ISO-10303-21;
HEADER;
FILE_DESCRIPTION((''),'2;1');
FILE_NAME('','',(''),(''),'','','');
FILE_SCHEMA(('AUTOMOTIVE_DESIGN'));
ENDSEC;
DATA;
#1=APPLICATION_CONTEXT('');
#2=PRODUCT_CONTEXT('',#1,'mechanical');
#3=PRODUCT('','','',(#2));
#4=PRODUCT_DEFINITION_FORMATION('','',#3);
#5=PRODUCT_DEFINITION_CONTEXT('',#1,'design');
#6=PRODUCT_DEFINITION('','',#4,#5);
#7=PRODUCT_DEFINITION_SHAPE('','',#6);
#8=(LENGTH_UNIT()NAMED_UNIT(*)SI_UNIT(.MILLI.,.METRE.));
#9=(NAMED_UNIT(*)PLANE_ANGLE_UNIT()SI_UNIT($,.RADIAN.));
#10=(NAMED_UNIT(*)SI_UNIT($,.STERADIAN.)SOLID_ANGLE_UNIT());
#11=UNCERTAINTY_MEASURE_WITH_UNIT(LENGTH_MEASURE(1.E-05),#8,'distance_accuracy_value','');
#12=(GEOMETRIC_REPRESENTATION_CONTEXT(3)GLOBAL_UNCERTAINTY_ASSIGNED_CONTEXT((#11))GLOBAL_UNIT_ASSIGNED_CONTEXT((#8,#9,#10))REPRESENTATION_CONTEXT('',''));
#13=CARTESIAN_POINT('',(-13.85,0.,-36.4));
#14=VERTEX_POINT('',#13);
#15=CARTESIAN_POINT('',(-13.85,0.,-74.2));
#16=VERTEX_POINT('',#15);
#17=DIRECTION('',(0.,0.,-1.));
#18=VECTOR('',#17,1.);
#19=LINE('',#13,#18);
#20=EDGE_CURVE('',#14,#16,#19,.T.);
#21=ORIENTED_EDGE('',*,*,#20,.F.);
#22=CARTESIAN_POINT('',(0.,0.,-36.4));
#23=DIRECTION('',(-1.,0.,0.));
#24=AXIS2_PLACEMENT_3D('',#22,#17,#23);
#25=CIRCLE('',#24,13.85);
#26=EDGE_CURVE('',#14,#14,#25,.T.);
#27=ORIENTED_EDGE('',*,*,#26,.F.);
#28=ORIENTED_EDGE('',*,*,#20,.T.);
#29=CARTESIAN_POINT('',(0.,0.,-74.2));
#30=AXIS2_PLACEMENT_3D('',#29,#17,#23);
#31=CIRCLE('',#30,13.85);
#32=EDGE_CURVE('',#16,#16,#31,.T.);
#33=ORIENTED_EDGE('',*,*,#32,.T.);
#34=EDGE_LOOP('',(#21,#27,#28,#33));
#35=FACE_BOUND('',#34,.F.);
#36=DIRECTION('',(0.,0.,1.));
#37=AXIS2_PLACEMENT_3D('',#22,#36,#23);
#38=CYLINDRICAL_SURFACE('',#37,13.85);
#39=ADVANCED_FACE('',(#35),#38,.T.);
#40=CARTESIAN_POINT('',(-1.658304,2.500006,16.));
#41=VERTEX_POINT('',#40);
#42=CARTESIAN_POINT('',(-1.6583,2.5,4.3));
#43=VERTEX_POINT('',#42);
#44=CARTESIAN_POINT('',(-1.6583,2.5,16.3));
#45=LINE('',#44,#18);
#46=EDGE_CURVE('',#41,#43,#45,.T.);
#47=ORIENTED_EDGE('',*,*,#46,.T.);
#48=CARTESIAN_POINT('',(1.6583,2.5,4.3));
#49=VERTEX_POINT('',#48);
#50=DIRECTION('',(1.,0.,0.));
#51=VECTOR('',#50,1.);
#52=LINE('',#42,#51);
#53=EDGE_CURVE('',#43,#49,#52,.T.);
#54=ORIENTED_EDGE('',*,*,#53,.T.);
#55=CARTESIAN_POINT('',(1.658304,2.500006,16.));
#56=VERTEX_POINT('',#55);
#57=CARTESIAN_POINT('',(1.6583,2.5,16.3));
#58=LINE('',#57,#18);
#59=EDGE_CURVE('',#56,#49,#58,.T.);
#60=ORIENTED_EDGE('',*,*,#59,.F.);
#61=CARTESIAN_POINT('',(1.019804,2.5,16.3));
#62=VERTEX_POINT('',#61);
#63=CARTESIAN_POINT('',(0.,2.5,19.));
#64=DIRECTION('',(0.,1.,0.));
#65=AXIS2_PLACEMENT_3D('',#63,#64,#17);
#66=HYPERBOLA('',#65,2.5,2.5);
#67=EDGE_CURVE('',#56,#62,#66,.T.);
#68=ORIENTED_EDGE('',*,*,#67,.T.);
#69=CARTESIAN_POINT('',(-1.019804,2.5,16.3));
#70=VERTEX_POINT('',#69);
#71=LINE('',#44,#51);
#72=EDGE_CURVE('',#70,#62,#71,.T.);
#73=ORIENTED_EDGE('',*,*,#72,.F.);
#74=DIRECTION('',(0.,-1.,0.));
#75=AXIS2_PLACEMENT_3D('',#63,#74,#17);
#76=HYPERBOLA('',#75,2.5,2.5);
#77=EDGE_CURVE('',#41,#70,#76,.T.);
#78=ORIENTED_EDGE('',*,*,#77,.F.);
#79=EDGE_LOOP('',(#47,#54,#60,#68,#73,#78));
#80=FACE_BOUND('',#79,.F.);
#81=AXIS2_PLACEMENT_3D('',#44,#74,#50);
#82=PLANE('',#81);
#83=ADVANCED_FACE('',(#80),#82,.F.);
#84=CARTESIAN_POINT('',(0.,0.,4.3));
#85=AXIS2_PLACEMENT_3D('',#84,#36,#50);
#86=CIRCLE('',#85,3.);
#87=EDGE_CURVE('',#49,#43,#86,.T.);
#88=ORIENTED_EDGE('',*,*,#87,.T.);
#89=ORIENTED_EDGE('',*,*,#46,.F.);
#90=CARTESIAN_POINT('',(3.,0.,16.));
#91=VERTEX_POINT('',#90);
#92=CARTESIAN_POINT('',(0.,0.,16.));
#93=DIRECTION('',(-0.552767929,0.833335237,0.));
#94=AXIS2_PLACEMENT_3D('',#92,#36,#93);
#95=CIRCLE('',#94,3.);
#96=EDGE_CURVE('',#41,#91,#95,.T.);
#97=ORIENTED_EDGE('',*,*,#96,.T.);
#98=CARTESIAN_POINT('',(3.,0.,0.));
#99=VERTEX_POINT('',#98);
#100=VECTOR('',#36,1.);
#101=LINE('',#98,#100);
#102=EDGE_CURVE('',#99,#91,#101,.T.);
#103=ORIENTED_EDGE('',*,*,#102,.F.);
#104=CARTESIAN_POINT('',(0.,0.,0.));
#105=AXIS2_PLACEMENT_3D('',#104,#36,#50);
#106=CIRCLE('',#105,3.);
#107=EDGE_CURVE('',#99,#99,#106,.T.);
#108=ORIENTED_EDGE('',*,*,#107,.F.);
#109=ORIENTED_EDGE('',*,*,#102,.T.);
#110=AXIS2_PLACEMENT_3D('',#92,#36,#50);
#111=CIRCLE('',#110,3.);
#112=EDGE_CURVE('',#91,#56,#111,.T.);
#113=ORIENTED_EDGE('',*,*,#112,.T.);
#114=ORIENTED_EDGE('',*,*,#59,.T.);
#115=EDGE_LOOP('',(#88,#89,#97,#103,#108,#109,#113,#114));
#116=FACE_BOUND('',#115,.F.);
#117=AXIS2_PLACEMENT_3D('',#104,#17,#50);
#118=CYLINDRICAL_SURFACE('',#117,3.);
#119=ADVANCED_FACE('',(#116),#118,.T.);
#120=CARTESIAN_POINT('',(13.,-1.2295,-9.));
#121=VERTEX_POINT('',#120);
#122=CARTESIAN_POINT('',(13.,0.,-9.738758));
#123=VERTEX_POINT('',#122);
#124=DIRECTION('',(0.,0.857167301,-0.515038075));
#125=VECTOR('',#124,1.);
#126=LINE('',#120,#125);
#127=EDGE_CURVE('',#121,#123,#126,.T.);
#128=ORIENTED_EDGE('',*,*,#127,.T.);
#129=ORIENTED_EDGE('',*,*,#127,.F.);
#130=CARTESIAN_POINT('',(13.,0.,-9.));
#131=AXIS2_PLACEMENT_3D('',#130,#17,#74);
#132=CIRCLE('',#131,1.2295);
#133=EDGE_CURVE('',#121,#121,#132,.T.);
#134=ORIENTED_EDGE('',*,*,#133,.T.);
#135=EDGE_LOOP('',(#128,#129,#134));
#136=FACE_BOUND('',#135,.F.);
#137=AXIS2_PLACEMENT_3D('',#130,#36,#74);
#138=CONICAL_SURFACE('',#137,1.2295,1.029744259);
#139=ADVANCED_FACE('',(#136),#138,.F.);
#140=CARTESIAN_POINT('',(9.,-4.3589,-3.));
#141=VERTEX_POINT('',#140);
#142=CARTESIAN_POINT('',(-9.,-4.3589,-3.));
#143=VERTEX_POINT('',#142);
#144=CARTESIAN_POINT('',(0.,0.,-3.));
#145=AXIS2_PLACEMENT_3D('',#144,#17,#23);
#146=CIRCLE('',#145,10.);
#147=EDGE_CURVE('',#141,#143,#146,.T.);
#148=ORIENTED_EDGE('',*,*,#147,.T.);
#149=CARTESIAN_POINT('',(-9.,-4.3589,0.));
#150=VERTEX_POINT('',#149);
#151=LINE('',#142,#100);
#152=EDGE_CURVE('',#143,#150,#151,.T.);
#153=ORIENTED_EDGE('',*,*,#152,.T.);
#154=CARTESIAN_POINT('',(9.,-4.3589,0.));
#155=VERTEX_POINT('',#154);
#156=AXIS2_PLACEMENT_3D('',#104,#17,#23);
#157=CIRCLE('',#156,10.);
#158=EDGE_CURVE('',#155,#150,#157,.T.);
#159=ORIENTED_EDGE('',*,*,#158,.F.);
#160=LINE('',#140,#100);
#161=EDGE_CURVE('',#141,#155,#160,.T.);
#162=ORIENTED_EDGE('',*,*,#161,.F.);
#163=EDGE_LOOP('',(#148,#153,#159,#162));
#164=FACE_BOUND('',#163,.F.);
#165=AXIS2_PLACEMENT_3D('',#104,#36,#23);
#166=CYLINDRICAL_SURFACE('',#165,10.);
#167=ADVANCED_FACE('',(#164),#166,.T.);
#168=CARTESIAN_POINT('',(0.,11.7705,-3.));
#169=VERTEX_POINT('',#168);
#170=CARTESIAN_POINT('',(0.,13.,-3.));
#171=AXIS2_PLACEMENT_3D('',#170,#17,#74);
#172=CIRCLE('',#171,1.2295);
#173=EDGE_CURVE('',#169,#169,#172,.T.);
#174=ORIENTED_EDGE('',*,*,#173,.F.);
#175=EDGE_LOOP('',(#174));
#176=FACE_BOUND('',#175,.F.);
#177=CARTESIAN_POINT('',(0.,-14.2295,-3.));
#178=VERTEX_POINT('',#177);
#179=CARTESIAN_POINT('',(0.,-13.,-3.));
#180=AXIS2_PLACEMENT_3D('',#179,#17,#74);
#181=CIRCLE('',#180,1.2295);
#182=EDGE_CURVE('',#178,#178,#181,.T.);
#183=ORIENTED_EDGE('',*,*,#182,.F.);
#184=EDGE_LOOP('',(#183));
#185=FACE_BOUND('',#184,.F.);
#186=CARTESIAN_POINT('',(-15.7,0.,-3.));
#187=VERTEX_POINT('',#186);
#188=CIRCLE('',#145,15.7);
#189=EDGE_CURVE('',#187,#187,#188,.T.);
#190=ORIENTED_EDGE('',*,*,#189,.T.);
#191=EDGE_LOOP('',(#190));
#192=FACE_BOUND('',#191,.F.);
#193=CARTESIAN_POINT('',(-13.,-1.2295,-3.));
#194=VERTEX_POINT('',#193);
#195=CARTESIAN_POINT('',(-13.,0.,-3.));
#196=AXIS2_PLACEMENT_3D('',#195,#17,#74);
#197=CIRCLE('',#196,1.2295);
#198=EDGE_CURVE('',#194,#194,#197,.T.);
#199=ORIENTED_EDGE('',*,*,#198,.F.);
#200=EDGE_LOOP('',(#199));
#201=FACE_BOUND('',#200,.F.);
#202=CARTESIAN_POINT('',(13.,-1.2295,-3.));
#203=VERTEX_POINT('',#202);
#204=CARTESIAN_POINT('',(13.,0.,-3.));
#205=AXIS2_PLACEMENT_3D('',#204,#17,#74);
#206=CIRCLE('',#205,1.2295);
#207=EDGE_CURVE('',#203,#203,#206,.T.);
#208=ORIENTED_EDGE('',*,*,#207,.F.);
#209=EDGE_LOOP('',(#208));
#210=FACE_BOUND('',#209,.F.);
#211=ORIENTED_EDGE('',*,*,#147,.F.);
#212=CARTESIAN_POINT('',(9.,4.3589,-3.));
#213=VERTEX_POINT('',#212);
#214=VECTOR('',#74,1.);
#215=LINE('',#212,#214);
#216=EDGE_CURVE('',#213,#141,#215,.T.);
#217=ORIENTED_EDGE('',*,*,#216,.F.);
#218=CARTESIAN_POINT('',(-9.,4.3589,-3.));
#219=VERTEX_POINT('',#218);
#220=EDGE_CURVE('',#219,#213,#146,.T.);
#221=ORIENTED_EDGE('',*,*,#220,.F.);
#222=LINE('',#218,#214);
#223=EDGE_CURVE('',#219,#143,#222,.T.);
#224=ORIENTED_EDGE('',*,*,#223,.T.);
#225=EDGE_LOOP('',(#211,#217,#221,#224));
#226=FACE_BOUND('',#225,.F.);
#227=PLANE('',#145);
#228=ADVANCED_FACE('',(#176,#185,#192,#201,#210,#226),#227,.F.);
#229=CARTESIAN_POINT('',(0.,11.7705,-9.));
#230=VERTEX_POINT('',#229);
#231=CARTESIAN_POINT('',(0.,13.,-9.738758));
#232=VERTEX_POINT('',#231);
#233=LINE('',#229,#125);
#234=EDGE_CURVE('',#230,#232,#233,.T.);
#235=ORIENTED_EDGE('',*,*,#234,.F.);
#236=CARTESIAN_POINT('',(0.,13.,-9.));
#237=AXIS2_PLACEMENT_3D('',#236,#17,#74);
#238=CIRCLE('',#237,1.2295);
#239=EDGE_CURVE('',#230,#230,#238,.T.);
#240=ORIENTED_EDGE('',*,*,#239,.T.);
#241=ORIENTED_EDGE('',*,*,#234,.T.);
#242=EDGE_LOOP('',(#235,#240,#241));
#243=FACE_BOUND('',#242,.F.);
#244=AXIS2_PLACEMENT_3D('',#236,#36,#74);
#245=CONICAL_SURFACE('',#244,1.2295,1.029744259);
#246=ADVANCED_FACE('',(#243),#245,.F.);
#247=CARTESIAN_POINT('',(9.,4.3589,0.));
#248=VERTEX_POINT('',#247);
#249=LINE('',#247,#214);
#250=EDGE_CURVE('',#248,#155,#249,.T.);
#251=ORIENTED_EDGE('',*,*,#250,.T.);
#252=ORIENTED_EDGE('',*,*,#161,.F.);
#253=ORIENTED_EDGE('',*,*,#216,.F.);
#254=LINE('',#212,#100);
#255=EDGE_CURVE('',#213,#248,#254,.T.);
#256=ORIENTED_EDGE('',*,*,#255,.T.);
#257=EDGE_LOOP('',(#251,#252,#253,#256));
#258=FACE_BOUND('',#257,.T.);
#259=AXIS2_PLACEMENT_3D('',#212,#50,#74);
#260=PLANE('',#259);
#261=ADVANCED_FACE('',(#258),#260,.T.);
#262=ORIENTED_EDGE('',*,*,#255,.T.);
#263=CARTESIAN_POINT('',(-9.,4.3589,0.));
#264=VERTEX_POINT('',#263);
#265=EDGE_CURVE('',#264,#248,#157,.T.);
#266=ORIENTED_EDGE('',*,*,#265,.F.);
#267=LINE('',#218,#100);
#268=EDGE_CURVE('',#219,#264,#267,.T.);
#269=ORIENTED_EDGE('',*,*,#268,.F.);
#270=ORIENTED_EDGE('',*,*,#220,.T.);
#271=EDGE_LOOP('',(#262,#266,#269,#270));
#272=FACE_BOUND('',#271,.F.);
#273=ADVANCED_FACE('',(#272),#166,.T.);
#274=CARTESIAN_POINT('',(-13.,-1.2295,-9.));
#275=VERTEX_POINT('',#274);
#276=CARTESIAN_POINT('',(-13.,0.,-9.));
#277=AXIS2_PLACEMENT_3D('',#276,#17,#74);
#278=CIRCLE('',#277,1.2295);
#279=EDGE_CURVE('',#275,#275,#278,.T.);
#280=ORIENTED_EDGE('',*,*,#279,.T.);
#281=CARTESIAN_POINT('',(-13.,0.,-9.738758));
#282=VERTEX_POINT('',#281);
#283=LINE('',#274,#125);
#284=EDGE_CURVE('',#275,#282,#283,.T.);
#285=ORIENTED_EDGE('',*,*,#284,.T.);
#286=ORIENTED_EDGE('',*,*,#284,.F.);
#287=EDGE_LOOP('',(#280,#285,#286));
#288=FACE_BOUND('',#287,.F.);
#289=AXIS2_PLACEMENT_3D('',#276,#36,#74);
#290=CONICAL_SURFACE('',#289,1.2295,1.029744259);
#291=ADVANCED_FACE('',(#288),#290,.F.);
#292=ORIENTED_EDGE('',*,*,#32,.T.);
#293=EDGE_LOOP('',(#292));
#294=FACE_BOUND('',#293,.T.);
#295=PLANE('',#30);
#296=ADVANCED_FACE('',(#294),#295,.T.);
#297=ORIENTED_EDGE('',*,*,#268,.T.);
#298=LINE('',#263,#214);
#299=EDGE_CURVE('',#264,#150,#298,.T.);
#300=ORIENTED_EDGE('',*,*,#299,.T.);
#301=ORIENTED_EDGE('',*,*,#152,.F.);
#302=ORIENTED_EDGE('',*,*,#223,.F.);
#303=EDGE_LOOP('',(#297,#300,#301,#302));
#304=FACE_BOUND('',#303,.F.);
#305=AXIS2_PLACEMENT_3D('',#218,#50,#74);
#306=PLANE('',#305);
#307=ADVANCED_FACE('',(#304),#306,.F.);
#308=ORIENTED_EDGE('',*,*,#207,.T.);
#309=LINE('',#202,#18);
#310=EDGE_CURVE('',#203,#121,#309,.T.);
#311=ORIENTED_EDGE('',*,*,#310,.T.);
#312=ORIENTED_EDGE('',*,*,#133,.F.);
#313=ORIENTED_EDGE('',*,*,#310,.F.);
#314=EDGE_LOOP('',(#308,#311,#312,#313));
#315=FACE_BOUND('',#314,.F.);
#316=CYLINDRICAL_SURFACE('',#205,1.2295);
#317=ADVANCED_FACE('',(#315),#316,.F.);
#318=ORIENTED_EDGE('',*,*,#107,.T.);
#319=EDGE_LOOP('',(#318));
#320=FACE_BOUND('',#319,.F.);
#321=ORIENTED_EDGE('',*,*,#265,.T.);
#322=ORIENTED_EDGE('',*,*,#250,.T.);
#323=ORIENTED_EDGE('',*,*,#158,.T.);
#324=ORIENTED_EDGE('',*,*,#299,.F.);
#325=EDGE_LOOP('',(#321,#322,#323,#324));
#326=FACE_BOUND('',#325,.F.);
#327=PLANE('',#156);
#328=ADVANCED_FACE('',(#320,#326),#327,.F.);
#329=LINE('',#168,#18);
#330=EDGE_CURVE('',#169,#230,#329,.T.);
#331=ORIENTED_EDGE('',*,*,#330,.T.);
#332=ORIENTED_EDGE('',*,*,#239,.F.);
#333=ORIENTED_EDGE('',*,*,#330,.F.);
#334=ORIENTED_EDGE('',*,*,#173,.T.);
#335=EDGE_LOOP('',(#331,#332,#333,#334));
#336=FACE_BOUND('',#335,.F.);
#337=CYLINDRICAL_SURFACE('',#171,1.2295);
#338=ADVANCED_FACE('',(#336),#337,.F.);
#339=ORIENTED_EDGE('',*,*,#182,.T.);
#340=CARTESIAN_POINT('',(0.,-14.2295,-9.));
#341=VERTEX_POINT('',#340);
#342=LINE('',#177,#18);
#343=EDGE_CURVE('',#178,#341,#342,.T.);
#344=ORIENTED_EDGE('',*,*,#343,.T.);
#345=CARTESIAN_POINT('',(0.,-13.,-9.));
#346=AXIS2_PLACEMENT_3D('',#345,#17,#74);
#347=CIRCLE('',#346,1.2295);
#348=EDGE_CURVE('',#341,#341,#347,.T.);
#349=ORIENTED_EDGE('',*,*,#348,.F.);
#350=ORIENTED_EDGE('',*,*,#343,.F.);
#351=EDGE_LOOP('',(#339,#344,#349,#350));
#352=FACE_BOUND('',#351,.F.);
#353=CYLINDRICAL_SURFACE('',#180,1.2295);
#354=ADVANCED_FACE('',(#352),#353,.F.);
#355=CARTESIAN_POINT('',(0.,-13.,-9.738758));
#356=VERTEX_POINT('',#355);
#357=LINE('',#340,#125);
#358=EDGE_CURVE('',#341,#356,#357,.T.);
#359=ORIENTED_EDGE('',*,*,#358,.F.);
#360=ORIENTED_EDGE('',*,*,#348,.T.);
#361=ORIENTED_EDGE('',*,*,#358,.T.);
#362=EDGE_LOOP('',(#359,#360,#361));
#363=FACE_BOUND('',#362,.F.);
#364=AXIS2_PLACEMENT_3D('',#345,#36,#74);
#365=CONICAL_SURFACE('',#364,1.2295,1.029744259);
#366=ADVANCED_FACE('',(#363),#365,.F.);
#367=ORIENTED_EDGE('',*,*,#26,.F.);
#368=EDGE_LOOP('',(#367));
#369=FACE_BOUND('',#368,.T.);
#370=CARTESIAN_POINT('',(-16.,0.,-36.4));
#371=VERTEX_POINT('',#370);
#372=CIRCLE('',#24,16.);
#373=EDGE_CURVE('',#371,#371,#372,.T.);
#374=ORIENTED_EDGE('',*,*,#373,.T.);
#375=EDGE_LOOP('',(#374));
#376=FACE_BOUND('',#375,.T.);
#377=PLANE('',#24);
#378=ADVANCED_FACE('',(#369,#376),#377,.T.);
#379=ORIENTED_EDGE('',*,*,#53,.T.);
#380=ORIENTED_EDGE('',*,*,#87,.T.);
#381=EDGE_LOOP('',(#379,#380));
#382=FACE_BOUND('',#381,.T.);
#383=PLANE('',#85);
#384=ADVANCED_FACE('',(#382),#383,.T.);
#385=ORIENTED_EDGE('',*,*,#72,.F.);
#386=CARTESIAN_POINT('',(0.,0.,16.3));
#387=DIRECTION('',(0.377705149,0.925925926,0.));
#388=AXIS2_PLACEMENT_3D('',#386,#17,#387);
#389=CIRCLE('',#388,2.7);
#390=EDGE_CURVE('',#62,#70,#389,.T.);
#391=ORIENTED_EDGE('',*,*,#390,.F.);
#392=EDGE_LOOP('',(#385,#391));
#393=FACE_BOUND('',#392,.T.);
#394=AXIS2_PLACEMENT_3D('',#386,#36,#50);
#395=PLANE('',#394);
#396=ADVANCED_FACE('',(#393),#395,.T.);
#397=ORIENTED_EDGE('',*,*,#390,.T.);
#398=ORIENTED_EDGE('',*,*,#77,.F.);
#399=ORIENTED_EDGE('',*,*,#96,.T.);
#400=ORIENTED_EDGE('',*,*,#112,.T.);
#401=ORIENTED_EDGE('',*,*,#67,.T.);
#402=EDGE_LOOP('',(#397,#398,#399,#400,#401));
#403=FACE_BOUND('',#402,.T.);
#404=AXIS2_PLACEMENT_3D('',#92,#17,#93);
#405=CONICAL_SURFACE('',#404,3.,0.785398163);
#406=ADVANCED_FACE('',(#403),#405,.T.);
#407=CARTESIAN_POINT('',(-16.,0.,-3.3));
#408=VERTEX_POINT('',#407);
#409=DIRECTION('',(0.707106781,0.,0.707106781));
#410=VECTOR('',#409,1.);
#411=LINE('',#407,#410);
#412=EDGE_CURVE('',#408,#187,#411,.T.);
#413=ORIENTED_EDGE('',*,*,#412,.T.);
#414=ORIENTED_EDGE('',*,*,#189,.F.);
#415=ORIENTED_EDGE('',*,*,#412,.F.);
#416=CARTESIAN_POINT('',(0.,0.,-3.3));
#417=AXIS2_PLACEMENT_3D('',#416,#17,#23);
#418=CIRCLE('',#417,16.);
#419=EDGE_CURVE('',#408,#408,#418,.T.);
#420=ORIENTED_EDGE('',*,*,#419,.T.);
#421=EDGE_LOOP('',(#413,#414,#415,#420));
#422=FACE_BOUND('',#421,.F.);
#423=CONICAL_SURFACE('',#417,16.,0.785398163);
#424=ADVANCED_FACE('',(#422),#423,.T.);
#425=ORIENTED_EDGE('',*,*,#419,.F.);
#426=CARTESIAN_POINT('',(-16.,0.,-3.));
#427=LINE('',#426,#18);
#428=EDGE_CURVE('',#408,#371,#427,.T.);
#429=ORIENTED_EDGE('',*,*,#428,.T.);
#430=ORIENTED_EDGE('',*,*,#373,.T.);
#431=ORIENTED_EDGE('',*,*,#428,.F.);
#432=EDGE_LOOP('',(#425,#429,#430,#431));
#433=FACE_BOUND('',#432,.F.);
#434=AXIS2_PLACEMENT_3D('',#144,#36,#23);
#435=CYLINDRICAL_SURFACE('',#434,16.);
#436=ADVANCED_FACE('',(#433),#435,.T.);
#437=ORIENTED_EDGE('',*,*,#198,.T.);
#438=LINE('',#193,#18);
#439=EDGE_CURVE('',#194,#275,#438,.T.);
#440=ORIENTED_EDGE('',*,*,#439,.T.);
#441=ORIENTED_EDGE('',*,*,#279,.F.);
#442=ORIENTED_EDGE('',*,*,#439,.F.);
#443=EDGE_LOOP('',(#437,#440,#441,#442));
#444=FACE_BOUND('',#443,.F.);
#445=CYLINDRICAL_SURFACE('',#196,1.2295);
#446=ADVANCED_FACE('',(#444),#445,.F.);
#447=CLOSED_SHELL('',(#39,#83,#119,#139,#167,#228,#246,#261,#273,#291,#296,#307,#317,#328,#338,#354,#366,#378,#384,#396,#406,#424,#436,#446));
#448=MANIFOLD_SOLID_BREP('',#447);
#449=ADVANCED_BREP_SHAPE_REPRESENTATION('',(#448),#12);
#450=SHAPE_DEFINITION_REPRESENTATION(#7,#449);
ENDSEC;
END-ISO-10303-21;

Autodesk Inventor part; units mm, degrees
ref_plane "YZ Plane" through (0, 0, 0) normal (1, 0, 0) x (0, 1, 0)
ref_plane "XZ Plane" through (0, 0, 0) normal (0, 1, 0) x (-1, 0, 0)
ref_plane "XY Plane" through (0, 0, 0) normal (0, 0, 1) x (1, 0, 0)
sketch "スケッチ1" plane through (0, 0, 0) normal (0, 0, 1) x (1, 0, 0)
  circle A0 centre (0, 0) radius 3
  dimension "d0" = 6
extrude "押し出し1" add sketch "スケッチ1" along normal blind 16.3
sketch "スケッチ2" plane through (0, 0, 16.3) normal (0, 0, 1) x (1, 0, 0)
  circle A0 centre (0, 0) radius 3 projected
  line L0 (-1.6583, 2.5) -> (1.6583, 2.5)
  dimension "d3" = 5.5
extrude "押し出し2" cut sketch "スケッチ2" against normal blind 12 contours L0 A0 picked at (-0.1169, 2.6598)
chamfer "面取り1" distance 0.3 angle 45 2 edges at (-1.4186, -2.6434, 16.3) (2.6434, 1.4186, 16.3)
sketch "スケッチ3" plane through (0, 0, 0) normal (0, 0, -1) x (-1, 0, 0)
  circle A0 centre (0, 0) radius 10
  dimension "d9" = 20
extrude "押し出し3" add sketch "スケッチ3" along normal blind 3
sketch "スケッチ4" plane through (0, 0, -3) normal (0, 0, -1) x (-1, 0, 0)
  circle A0 centre (0, 0) radius 10 projected
  line L0 (9, 4.3589) -> (9, -4.3589)
  line L1 (-9, 4.3589) -> (-9, -4.3589)
  dimension "d12" = 18
extrude "押し出し4" cut sketch "スケッチ4" against normal blind 3 contours A0 L0 | L1 A0
sketch "スケッチ5" plane through (0, 0, -3) normal (0, 0, -1) x (-1, 0, 0)
  circle A0 centre (0, 0) radius 16
  dimension "d15" = 32
extrude "押し出し5" add sketch "スケッチ5" along normal blind 33.4
chamfer "面取り2" distance 0.3 angle 45 1 edges at (16, 0, -3)
sketch "スケッチ6" plane through (0, 0, -3) normal (0, 0, 1) x (1, 0, 0)
  arc A0 (9, 4.3589) -> (-9, 4.3589) centre (0, 0) ccw projected
  point P0 (0, 13)
  point P1 (-13, 0)
  point P2 (0, -13)
  point P3 (13, 0)
  dimension "d21" = 13
  dimension "d24" = 360
hole "穴1" at (0, 13, -3) at (-13, 0, -3) at (0, -13, -3) at (13, 0, -3) direction (0, 0, -1) diameter 2.459 depth 6 tip angle 118 thread size "M3x0.5" class "6H" standard "ANSI Metric M Profile"
sketch "スケッチ7" plane through (0, 0, -36.4) normal (0, 0, -1) x (-1, 0, 0)
  circle A0 centre (0, 0) radius 13.85
  dimension "d33" = 27.7
extrude "押し出し6" add sketch "スケッチ7" along normal blind 37.8
properties part number "RS385PH_Geared_Motor" material "鋼、鍛鋼"
